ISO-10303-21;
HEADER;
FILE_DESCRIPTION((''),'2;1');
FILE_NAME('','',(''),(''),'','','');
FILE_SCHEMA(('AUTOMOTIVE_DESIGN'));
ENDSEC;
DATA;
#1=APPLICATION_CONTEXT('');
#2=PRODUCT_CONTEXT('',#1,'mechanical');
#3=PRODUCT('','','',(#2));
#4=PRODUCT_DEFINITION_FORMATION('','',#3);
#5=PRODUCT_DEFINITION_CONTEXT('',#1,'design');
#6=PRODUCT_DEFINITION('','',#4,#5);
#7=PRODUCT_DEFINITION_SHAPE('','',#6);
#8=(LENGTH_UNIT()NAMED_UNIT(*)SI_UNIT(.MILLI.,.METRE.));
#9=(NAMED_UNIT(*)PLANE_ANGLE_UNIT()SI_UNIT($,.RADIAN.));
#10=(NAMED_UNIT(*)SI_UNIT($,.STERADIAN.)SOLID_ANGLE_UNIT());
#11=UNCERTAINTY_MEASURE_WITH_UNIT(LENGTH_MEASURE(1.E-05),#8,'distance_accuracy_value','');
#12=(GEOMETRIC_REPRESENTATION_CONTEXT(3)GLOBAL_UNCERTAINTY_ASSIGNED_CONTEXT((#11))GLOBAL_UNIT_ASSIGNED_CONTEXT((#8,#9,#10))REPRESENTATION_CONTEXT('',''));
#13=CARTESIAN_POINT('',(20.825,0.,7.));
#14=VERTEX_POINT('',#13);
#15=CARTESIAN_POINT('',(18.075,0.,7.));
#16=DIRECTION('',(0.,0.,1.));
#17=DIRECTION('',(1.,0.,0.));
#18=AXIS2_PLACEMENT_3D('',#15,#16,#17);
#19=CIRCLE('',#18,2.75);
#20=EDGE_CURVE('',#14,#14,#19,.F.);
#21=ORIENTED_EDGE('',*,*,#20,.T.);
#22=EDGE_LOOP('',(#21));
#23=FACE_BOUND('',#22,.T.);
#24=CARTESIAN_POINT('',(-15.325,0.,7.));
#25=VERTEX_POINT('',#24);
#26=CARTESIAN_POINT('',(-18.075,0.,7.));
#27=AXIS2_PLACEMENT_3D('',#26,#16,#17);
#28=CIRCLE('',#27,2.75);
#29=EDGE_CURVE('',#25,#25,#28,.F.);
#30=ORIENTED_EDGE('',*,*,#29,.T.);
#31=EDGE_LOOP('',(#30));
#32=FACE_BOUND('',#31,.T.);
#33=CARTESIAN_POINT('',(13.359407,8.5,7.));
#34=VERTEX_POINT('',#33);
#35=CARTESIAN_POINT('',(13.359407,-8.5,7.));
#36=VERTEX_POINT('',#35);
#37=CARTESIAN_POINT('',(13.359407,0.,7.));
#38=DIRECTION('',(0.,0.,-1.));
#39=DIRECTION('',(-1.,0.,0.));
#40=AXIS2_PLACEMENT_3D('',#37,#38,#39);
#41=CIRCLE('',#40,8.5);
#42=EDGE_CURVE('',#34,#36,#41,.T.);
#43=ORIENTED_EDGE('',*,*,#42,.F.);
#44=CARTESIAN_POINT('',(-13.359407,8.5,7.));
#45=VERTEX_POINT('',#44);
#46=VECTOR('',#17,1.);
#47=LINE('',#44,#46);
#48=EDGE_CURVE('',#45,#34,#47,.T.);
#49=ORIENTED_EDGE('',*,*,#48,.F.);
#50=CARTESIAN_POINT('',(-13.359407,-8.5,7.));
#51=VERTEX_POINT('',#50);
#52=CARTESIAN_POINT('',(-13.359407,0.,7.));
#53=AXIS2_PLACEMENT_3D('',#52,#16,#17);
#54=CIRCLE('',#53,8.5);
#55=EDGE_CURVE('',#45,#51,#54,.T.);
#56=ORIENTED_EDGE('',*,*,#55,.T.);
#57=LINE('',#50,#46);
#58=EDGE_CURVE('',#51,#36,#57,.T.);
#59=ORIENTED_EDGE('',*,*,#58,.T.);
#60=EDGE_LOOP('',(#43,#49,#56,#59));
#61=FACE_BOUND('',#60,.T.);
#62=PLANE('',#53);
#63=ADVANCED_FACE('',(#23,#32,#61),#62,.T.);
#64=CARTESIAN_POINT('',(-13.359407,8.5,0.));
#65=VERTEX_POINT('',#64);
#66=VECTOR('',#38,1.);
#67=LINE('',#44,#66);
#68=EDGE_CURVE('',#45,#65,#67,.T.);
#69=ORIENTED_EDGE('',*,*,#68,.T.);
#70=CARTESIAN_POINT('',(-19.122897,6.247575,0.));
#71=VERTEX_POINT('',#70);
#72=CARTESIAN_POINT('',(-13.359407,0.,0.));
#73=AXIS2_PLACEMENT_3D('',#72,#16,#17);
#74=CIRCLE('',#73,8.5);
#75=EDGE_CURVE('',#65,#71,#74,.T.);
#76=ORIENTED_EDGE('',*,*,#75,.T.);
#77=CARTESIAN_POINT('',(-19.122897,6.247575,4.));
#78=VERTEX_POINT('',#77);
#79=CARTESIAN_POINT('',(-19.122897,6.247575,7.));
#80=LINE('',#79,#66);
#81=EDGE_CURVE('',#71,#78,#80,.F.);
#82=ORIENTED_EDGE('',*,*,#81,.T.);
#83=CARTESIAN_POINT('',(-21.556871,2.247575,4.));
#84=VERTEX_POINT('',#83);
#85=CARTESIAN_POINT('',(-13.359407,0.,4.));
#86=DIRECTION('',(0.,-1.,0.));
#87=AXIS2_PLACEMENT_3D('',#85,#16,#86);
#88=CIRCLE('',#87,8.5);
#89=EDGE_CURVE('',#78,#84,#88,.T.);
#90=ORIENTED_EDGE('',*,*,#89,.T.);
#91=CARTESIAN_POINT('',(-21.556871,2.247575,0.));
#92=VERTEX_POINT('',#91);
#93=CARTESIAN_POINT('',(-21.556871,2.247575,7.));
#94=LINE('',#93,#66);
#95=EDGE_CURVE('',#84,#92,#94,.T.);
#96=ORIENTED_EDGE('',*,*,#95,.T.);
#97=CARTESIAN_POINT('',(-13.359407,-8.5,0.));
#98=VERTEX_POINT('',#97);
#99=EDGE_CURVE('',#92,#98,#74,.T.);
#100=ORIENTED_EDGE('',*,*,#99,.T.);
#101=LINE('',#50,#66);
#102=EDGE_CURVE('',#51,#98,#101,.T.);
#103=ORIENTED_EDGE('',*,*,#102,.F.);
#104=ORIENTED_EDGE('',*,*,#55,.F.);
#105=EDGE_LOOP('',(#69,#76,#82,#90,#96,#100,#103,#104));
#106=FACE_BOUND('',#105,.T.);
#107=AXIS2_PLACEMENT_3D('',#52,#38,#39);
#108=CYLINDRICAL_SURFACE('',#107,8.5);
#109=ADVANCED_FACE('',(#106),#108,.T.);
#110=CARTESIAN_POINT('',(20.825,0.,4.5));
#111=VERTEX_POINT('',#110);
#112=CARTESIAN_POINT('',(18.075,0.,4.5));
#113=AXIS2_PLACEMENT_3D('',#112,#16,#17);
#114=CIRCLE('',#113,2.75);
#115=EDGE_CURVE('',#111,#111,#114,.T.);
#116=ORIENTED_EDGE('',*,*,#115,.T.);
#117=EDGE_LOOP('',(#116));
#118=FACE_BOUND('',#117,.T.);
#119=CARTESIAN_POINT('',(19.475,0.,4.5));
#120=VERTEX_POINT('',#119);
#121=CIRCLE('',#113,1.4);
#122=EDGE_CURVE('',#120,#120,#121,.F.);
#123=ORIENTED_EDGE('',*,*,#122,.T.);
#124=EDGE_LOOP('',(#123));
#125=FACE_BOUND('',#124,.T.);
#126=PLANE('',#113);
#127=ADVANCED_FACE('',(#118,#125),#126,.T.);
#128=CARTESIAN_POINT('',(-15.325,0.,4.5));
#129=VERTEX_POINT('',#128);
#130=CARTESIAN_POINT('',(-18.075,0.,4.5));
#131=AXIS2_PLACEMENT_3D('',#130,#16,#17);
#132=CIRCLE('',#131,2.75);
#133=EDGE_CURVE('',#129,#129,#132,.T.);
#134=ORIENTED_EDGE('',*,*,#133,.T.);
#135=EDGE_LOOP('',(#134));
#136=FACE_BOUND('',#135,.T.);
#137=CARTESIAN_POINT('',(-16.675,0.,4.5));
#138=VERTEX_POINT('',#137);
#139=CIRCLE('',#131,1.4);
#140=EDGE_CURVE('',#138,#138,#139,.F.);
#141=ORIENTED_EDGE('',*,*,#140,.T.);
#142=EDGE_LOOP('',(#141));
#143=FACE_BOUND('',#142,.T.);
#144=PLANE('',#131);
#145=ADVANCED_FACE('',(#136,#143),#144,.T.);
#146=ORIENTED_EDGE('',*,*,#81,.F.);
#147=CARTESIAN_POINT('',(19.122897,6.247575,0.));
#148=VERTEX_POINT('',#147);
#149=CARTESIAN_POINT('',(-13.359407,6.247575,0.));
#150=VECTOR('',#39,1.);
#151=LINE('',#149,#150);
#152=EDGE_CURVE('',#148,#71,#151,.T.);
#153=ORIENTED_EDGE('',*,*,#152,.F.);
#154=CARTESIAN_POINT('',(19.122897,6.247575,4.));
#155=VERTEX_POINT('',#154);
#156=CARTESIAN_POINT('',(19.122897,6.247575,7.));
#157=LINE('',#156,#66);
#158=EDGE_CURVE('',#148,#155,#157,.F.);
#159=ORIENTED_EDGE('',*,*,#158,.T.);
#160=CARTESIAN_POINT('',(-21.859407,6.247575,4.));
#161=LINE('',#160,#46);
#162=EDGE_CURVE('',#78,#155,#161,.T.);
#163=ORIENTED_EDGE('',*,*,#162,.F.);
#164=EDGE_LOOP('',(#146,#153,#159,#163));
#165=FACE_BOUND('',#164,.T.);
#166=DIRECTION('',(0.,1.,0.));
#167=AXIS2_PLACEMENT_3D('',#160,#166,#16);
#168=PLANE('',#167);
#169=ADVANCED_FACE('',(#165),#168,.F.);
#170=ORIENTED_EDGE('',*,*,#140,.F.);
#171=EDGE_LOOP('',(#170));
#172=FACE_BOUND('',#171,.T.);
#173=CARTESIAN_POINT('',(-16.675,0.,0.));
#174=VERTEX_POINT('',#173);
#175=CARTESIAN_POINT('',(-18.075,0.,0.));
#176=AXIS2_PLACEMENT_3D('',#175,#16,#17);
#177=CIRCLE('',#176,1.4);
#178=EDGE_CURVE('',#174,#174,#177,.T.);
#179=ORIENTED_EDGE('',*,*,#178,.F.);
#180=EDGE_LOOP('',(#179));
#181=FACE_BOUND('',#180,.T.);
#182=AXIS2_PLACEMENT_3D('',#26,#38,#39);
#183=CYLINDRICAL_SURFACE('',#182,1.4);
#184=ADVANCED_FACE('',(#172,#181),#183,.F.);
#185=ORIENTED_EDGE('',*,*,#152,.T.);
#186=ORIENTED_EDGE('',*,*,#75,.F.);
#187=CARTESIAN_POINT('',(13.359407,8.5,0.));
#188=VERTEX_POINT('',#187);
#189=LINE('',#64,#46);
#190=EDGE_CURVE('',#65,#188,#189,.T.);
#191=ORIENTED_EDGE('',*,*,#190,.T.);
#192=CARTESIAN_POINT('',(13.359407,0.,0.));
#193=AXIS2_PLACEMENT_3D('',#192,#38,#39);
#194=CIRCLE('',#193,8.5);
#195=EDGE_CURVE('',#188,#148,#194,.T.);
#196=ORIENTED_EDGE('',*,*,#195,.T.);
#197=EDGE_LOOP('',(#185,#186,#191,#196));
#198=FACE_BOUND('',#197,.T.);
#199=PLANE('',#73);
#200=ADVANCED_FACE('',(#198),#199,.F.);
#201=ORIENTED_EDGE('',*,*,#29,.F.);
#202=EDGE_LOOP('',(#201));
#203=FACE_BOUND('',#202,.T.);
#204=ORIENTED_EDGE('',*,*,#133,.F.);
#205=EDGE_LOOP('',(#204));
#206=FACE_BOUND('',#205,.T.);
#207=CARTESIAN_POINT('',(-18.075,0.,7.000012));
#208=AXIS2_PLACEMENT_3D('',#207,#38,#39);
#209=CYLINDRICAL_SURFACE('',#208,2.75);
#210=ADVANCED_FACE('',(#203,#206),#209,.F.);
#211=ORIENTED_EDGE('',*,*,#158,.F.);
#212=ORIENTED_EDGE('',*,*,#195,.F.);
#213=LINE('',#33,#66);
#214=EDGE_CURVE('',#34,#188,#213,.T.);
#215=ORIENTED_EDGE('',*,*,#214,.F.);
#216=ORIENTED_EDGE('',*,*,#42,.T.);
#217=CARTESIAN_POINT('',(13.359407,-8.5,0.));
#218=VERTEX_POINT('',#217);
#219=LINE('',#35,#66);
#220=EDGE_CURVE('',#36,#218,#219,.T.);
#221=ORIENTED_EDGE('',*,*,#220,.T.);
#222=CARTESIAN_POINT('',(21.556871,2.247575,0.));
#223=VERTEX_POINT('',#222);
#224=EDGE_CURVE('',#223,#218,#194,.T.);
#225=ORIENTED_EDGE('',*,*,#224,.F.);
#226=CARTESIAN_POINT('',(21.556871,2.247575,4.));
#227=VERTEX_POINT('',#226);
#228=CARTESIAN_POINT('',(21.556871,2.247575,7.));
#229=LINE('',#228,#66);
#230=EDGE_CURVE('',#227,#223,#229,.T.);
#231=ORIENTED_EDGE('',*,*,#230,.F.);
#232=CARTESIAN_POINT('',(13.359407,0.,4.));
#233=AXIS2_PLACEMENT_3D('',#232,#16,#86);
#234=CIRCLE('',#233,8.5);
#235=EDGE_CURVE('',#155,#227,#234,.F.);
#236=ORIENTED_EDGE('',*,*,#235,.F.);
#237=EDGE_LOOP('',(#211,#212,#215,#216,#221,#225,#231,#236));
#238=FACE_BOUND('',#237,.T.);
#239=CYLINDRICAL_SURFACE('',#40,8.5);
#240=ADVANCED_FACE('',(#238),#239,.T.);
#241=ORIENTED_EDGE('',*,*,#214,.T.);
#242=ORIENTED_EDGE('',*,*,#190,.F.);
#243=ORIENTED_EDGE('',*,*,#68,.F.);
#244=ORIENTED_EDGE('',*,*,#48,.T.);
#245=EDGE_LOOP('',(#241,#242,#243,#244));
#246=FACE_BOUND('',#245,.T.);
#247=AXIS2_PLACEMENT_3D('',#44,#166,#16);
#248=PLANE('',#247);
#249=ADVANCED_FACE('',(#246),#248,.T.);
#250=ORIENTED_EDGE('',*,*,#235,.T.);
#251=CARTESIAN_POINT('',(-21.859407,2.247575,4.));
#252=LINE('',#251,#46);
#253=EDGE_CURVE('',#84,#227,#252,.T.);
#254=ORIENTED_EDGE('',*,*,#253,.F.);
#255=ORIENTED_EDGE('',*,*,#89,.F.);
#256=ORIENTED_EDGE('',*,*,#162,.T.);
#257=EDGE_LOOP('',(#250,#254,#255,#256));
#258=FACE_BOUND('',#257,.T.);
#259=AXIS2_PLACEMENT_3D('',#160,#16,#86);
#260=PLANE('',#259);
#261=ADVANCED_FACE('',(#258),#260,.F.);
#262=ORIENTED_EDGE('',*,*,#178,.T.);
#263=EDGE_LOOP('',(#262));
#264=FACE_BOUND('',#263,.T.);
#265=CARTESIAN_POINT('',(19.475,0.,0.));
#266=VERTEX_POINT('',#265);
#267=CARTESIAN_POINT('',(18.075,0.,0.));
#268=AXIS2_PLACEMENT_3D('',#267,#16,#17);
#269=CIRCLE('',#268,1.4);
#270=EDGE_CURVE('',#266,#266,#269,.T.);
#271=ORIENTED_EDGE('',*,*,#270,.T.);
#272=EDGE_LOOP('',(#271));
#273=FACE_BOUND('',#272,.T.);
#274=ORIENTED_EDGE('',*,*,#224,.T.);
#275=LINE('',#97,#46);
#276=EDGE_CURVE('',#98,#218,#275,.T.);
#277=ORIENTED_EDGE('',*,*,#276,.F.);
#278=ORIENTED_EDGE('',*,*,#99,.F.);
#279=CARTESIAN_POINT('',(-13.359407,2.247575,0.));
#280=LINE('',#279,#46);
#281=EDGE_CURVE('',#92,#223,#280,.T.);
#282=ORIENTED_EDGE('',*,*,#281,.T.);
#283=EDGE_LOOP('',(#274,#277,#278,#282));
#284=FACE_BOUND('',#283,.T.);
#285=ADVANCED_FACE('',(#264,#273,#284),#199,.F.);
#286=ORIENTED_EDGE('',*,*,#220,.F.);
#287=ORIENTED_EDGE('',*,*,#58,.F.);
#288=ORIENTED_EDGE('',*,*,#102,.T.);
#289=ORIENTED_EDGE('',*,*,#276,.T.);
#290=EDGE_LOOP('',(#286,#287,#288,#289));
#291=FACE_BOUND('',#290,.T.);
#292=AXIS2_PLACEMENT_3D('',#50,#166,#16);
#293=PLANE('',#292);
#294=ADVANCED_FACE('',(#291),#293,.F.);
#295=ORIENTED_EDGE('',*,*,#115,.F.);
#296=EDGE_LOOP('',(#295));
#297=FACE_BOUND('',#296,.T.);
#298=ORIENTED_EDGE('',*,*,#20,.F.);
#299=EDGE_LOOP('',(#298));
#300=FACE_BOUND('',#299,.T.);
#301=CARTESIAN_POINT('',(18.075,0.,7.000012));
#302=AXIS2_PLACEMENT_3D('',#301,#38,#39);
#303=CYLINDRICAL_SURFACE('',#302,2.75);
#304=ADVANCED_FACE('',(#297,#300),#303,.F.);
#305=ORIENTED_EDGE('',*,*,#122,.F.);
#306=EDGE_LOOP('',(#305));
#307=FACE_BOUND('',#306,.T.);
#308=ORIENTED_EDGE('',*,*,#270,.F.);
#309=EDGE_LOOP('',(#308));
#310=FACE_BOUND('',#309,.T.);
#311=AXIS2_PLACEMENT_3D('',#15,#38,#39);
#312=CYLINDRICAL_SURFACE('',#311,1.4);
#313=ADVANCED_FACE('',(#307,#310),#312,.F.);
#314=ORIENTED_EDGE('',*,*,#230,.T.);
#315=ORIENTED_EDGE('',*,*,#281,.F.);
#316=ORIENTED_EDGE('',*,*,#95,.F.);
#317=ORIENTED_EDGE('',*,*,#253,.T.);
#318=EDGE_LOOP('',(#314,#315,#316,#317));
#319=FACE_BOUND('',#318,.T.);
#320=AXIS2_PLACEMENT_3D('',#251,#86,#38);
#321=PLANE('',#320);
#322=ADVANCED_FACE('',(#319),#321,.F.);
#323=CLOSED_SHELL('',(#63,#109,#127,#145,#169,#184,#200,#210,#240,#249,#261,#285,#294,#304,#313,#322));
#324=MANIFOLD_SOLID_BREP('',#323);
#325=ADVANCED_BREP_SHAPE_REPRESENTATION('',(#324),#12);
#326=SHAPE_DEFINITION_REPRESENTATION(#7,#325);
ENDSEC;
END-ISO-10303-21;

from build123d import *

# Parameters (mm, degrees)
BOSS_EXTRUDE1_DEPTH     = 7
SKETCH3_W               = 8
SKETCH3_H               = 4
CUT_EXTRUDE1_DEPTH      = 6.459407384
CUT_EXTRUDE1_DEPTH_BACK = 39.259407384
SKETCH6_R               = 1.4
CUT_EXTRUDE3_DEPTH      = 1
CUT_EXTRUDE3_DEPTH_BACK = 8
SKETCH8_R               = 2.75
CUT_EXTRUDE4_DEPTH      = 1
CUT_EXTRUDE4_DEPTH_BACK = 2.5


with BuildPart() as part:
    # Sketch1 → Boss-Extrude1 (new body)
    with BuildSketch(Plane.XY):
        with BuildLine():
            Line((-13.359407384, -8.5), (13.359407384, -8.5))
            ThreePointArc((13.359407384, -8.5), (21.859407384, 0), (13.359407384, 8.5))
            Line((13.359407384, 8.5), (-13.359407384, 8.5))
            ThreePointArc((-13.359407384, 8.5), (-21.859407384, 0), (-13.359407384, -8.5))
        make_face()
    extrude(amount=BOSS_EXTRUDE1_DEPTH)

    # Sketch3 → Cut-Extrude1 (cut, two sides)
    with BuildSketch(Plane(origin=(16.4, 0, 0), x_dir=(0, 0, -1), z_dir=(1, 0, 0))) as cut_extrude1_sk:
        with Locations((0, 4.247574753)):
            Rectangle(SKETCH3_W, SKETCH3_H)
    extrude(amount=CUT_EXTRUDE1_DEPTH, mode=Mode.SUBTRACT)
    extrude(cut_extrude1_sk.sketch, amount=-CUT_EXTRUDE1_DEPTH_BACK, mode=Mode.SUBTRACT)

    # Sketch6 → Cut-Extrude3 (cut, two sides)
    with BuildSketch(Plane(origin=(0, 0, 0), x_dir=(-1, 0, 0), z_dir=(0, 0, -1))) as cut_extrude3_sk:
        with Locations((-18.075, 0)):
            Circle(SKETCH6_R)
        with Locations((18.075, 0)):
            Circle(SKETCH6_R)
    extrude(amount=CUT_EXTRUDE3_DEPTH, mode=Mode.SUBTRACT)
    extrude(cut_extrude3_sk.sketch, amount=-CUT_EXTRUDE3_DEPTH_BACK, mode=Mode.SUBTRACT)

    # Sketch8 → Cut-Extrude4 (cut, two sides)
    with BuildSketch(Plane.XY.offset(7)) as cut_extrude4_sk:
        with Locations((-18.075, 0)):
            Circle(SKETCH8_R)
        with Locations((18.075, 0)):
            Circle(SKETCH8_R)
    extrude(amount=CUT_EXTRUDE4_DEPTH, mode=Mode.SUBTRACT)
    extrude(cut_extrude4_sk.sketch, amount=-CUT_EXTRUDE4_DEPTH_BACK, mode=Mode.SUBTRACT)


solid = part.part
